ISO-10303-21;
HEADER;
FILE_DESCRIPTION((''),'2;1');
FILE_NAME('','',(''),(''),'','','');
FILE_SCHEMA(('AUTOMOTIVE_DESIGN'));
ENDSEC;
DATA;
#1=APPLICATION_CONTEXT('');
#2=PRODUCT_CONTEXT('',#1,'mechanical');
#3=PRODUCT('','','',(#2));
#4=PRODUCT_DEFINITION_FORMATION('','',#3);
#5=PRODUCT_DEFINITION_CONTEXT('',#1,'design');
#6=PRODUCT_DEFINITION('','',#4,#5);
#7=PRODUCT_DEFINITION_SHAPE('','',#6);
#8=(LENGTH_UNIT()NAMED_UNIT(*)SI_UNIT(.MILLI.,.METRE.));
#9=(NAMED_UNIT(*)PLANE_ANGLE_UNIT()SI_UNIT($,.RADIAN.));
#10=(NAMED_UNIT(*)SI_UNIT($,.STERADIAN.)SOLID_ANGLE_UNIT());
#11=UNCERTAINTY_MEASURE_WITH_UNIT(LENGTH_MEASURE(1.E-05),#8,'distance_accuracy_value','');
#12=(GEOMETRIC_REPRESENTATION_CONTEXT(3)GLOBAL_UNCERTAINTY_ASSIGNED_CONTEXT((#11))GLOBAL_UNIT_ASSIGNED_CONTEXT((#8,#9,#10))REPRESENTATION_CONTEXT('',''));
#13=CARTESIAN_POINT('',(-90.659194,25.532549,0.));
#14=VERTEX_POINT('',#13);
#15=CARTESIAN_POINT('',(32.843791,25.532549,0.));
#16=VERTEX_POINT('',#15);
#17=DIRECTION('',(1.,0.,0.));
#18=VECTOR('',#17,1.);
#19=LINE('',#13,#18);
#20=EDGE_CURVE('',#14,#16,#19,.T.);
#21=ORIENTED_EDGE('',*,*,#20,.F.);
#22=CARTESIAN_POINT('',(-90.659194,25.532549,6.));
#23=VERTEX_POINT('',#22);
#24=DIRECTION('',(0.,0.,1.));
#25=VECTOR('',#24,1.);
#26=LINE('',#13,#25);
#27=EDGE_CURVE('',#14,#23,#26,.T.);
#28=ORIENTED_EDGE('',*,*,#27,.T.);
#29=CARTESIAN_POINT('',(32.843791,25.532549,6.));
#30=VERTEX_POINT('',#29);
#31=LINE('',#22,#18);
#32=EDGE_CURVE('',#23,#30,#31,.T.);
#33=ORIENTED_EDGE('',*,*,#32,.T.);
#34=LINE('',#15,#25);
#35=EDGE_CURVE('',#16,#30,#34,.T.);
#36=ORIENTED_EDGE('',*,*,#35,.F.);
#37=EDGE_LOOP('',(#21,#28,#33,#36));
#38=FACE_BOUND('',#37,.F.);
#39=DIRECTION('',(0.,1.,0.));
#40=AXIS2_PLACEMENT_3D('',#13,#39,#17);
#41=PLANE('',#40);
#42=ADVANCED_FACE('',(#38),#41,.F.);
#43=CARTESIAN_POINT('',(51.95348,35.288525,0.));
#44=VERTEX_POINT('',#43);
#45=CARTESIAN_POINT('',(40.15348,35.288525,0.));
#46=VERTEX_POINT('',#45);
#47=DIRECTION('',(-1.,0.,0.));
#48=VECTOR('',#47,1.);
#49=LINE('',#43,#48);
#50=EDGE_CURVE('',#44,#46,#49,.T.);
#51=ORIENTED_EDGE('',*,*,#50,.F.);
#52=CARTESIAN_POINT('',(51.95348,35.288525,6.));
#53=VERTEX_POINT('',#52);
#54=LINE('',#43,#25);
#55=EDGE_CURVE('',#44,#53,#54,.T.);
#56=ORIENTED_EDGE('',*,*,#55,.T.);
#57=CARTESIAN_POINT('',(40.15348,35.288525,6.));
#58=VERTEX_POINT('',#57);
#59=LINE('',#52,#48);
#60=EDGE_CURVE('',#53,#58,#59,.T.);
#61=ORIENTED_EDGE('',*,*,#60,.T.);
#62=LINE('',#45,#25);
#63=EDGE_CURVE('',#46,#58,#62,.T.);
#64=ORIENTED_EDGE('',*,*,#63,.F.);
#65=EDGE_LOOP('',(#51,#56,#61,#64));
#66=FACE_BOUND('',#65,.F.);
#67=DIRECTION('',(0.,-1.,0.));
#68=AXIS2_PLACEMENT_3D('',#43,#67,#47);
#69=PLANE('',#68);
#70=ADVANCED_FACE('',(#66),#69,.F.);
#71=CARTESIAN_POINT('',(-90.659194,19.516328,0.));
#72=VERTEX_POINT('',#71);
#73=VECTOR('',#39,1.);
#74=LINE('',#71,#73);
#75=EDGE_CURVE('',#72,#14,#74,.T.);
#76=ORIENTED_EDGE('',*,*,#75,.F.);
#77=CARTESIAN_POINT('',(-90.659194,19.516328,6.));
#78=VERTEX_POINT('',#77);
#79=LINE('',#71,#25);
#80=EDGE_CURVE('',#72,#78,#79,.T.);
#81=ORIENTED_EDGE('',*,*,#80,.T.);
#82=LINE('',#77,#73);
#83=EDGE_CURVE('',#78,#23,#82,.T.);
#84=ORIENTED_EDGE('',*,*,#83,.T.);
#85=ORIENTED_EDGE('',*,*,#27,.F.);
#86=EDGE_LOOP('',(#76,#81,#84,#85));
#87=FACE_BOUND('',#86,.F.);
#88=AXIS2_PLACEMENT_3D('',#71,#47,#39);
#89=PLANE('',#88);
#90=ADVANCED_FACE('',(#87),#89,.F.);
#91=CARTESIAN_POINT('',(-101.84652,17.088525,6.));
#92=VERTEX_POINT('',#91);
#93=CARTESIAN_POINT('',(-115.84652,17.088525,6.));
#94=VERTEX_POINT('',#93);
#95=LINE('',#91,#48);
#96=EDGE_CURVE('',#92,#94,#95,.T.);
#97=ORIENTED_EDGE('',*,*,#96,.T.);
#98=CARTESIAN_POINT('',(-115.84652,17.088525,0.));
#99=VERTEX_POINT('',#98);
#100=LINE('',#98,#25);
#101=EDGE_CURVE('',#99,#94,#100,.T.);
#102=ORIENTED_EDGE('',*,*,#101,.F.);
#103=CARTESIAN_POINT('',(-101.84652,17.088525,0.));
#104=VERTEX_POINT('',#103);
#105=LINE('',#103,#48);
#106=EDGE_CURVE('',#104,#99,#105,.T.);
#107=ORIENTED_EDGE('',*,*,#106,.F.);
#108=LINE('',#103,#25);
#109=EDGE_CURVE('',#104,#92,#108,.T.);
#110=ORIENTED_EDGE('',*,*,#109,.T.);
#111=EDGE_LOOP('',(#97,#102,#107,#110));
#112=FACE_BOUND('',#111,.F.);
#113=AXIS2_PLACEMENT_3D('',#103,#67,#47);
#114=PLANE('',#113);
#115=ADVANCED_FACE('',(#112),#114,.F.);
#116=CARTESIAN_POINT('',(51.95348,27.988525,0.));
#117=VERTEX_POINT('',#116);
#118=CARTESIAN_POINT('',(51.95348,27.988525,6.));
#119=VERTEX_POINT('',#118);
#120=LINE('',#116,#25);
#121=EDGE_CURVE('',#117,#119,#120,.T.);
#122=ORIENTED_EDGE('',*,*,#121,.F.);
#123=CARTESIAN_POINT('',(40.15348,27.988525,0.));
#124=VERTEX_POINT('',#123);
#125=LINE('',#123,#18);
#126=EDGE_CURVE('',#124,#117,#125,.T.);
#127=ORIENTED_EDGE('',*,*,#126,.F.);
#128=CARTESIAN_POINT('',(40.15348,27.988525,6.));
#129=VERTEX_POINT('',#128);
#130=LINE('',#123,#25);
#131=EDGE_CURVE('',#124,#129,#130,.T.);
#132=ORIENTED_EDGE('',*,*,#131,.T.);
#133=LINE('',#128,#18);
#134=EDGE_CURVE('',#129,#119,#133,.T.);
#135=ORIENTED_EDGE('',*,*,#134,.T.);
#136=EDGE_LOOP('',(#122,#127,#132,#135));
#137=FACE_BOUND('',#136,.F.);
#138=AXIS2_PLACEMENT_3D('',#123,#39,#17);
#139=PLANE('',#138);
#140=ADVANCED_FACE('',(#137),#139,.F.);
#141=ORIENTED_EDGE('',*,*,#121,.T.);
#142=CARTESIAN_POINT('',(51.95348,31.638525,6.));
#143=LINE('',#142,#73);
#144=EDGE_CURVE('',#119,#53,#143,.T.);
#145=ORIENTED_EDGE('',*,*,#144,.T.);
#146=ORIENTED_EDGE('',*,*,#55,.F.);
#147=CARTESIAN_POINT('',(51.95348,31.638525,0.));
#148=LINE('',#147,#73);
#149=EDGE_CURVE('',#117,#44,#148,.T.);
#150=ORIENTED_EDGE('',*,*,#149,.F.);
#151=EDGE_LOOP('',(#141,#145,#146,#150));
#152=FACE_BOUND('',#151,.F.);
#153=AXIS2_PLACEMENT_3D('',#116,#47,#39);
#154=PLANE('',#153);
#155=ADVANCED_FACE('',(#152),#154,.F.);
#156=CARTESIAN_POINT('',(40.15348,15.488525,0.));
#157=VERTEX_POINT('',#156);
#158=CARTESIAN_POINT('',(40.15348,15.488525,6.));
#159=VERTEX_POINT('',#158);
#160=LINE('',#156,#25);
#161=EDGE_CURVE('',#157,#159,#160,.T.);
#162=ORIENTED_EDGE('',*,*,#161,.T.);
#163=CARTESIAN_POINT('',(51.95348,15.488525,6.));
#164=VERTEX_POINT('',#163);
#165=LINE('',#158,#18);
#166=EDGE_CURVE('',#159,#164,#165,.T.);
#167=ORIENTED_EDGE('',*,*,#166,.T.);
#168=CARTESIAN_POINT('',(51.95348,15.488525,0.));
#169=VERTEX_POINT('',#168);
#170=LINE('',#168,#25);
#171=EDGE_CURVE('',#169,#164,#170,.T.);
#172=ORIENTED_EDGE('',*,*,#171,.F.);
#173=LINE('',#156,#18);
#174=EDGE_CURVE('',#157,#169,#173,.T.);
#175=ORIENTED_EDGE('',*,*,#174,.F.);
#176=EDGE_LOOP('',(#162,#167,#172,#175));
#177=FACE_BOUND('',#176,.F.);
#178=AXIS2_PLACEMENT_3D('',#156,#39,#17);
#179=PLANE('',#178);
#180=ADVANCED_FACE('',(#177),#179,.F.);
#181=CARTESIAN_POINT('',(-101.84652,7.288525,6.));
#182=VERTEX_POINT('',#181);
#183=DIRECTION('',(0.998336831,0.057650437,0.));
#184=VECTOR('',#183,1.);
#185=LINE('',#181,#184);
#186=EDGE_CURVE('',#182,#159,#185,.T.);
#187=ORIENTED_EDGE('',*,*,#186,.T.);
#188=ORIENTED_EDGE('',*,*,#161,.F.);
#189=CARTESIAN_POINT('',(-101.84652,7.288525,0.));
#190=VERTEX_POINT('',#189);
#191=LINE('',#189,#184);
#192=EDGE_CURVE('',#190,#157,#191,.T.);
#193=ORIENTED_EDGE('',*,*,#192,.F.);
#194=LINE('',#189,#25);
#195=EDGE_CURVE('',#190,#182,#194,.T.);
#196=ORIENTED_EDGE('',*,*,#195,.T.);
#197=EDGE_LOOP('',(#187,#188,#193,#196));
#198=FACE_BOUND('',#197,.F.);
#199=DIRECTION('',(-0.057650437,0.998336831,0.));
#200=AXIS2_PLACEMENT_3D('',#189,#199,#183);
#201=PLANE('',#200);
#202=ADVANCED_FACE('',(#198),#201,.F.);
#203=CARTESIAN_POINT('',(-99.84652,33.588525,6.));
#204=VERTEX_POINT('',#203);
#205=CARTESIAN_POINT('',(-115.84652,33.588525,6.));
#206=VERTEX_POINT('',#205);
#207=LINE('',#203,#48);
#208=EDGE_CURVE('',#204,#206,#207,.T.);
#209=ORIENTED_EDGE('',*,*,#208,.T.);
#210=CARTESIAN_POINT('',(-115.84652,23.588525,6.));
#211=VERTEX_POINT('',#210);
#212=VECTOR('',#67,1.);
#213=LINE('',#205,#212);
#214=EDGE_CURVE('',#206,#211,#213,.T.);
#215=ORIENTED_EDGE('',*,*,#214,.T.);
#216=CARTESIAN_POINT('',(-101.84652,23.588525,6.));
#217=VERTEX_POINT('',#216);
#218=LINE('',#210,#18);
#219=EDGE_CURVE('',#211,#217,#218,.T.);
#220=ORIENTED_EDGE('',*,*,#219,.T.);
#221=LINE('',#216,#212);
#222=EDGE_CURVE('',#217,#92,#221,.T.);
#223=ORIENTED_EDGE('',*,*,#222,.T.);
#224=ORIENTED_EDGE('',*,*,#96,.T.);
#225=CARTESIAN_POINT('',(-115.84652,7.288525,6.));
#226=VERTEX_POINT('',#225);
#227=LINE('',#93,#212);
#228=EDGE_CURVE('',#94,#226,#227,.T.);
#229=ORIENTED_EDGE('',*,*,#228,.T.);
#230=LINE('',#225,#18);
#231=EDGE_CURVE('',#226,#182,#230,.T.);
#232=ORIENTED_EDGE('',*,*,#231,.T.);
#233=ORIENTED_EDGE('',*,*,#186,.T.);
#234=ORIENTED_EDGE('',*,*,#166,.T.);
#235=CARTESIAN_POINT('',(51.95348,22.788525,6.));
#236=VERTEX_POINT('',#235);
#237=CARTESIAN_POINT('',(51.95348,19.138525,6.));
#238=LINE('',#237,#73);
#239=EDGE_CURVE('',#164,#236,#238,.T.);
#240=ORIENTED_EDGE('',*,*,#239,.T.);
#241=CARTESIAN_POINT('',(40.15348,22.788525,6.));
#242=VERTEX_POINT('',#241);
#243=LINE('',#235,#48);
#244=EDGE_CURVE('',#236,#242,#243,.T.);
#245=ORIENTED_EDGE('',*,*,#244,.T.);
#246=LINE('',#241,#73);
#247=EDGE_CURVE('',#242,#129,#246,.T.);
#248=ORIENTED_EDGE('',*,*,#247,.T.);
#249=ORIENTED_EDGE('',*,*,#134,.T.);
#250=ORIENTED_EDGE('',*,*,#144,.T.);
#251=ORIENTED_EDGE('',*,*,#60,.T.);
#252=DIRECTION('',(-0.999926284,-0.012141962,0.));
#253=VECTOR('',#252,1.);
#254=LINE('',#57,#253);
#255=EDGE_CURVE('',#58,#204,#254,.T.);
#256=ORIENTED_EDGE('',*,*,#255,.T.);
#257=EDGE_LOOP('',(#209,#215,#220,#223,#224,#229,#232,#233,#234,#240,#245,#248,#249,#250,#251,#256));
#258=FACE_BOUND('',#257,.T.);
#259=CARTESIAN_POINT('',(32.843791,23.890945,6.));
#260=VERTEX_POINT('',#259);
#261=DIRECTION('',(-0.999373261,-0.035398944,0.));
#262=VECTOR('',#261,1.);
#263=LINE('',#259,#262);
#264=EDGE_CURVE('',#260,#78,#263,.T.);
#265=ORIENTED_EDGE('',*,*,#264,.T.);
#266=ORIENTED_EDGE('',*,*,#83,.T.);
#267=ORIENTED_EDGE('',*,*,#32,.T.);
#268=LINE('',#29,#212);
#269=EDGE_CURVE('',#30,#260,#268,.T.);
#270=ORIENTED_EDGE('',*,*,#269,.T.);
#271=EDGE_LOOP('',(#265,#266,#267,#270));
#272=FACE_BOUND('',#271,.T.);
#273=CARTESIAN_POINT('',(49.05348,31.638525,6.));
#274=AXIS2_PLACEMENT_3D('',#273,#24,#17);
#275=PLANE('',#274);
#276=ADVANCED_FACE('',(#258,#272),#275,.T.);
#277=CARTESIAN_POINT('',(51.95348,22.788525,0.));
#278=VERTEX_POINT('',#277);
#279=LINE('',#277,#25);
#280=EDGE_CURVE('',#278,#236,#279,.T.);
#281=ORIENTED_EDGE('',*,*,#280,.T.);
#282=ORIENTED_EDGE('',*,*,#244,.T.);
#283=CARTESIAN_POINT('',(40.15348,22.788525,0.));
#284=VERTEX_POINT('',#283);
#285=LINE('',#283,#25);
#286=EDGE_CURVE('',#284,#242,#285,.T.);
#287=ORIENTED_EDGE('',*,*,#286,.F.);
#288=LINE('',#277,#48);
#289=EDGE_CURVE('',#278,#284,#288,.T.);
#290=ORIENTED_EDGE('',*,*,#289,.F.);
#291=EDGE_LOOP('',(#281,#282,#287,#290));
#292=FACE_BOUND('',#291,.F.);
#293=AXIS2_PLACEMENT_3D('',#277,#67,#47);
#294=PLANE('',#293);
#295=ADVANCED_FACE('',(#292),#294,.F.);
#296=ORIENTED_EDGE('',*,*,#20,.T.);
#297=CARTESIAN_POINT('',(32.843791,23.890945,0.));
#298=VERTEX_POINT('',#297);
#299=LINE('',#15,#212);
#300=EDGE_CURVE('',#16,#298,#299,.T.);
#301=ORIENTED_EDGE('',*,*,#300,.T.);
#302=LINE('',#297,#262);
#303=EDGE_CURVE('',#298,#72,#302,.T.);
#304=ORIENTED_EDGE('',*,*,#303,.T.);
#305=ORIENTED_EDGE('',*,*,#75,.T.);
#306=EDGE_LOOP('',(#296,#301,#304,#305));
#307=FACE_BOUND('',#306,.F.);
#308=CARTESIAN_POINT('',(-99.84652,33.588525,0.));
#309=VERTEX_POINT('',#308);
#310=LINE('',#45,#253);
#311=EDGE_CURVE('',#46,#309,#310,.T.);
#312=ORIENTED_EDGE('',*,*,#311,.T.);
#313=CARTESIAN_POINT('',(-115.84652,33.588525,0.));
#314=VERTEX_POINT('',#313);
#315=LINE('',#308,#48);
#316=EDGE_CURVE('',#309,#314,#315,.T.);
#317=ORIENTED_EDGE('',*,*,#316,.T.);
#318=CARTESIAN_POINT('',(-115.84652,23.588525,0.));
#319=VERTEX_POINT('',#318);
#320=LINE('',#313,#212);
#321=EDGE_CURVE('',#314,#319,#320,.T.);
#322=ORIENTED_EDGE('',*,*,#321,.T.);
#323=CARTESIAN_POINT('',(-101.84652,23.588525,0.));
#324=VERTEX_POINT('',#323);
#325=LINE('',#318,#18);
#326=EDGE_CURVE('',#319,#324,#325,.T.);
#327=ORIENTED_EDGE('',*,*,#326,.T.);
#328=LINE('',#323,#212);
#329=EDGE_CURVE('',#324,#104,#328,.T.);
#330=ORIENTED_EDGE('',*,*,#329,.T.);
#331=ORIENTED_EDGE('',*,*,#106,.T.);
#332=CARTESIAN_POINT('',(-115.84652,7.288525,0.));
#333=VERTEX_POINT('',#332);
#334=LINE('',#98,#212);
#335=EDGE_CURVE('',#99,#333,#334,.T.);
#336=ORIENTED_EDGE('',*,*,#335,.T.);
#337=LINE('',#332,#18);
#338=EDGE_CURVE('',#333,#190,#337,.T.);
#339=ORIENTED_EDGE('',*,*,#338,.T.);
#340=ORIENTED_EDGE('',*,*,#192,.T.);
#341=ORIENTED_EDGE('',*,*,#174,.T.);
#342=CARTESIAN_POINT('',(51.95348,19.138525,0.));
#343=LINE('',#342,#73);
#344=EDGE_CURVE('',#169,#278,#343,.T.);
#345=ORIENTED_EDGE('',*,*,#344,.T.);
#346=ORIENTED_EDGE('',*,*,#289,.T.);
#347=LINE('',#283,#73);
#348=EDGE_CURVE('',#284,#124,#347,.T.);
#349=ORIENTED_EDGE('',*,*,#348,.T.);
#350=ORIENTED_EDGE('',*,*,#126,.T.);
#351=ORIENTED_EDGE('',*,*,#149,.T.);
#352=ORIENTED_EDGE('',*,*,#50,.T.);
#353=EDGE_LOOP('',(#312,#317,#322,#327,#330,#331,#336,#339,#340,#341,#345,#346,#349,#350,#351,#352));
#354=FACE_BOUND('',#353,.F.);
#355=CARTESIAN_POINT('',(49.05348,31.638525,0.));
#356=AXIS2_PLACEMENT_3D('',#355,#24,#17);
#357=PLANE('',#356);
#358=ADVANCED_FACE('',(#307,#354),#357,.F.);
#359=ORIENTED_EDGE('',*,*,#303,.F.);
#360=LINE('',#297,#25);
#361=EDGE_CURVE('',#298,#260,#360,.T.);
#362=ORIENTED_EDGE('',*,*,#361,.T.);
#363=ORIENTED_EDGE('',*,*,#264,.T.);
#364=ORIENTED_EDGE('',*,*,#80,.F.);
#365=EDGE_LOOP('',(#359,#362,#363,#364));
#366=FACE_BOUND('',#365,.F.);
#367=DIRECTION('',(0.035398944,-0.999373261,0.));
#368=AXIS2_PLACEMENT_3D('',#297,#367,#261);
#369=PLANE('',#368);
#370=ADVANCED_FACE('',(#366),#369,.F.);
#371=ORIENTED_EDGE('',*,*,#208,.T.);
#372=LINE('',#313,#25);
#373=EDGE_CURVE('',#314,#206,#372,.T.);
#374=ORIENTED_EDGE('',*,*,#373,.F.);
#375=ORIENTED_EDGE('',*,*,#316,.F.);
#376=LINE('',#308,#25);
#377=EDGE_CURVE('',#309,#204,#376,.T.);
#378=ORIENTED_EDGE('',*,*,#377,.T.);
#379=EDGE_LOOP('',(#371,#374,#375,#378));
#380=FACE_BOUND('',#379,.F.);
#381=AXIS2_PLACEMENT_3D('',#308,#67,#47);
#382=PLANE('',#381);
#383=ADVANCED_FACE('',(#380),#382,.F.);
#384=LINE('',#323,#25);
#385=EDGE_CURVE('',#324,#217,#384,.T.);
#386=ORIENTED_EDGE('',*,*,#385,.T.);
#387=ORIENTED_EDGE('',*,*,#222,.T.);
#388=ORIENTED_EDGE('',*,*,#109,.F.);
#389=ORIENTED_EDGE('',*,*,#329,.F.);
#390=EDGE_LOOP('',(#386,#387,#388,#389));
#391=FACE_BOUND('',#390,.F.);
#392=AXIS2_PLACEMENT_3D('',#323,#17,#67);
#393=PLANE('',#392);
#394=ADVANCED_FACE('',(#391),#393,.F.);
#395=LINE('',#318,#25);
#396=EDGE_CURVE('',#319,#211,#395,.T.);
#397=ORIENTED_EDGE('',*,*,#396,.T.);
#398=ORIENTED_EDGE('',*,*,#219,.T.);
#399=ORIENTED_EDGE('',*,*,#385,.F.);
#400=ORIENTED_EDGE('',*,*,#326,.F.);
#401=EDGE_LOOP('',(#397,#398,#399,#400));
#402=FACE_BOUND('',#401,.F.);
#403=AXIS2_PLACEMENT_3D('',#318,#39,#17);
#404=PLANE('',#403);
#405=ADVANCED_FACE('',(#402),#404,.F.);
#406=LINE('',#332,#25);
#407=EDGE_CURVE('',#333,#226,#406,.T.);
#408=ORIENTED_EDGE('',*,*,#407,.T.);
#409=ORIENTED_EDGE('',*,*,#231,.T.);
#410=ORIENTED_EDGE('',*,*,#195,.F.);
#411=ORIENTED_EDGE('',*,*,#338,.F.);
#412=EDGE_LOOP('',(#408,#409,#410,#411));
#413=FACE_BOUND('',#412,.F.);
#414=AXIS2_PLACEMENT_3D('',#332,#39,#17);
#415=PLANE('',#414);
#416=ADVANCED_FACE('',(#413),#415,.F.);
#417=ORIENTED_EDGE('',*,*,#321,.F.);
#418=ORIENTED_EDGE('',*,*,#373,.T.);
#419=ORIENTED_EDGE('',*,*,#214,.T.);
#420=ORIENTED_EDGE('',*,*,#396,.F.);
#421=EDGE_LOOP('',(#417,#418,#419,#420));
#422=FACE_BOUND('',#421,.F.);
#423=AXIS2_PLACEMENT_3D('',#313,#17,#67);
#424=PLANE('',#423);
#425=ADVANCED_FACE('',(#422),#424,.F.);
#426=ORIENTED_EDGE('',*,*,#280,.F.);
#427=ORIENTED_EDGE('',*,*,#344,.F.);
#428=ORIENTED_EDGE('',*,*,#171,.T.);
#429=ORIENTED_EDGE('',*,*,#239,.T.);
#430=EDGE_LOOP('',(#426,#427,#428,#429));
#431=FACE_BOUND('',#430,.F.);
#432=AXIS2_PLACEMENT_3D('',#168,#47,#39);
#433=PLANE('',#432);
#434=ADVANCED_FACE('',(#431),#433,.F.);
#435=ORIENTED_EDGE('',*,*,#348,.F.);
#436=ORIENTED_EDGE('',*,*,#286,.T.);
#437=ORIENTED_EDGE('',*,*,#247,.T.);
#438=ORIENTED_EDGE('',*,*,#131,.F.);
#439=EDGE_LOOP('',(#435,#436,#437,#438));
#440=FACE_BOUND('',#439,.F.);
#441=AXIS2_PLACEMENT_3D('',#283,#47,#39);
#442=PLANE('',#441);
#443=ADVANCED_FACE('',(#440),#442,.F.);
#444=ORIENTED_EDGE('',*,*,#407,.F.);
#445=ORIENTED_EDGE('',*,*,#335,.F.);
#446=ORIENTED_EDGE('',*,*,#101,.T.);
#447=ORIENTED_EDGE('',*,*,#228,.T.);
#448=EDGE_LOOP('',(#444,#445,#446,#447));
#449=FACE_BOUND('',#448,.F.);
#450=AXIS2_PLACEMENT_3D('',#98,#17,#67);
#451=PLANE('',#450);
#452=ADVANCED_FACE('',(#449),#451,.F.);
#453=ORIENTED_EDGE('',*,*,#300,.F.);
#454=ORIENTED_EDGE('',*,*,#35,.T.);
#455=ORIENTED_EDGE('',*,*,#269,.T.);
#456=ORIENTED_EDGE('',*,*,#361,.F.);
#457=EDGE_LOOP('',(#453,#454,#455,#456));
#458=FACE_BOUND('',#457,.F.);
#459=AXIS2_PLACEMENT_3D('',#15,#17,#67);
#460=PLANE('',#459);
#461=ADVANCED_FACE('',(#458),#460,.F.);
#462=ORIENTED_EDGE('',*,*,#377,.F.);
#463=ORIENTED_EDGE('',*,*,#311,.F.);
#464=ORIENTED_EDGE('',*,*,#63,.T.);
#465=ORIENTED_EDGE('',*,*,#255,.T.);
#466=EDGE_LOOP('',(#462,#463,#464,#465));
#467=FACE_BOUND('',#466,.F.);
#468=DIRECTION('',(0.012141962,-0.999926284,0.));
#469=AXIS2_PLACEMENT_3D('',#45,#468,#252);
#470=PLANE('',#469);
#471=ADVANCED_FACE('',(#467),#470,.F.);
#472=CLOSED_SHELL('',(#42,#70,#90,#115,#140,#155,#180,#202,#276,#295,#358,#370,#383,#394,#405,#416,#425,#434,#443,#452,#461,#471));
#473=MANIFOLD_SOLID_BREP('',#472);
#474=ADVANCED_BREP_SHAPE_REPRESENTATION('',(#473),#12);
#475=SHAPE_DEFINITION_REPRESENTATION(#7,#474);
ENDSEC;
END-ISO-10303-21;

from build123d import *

# Parameters (mm, degrees)
F0_W     = 5.8
F0_H     = 7.3
F0_W_2   = 6
F1_DEPTH = 6


with BuildPart() as f1:
    # F0 (on Top) → F1 (new body)
    with BuildSketch(Plane.XY):
        with Locations((49.05348, 31.638525)):
            Rectangle(F0_W, F0_H)
        with Locations((49.05348, 19.138525)):
            Rectangle(F0_W, F0_H)
        with Locations((43.15348, 31.638525)):
            Rectangle(F0_W_2, F0_H)
        with Locations((43.15348, 19.138525)):
            Rectangle(F0_W_2, F0_H)
        Polygon((40.15348, 27.988525), (40.15348, 35.288525), (-99.84652, 33.588525), (-115.84652, 33.588525), (-115.84652, 23.588525), (-109.84652, 23.588525), (-101.84652, 23.588525), (-101.84652, 17.088525), (-115.84652, 17.088525), (-115.84652, 7.288525), (-101.84652, 7.288525), (40.15348, 15.488525), (40.15348, 22.788525), align=None)
        Polygon((-90.659194, 19.516328), (-90.659194, 25.532549), (32.843791, 25.532549), (32.843791, 23.890945), align=None, mode=Mode.SUBTRACT)
    extrude(amount=F1_DEPTH)


solid = f1.part
